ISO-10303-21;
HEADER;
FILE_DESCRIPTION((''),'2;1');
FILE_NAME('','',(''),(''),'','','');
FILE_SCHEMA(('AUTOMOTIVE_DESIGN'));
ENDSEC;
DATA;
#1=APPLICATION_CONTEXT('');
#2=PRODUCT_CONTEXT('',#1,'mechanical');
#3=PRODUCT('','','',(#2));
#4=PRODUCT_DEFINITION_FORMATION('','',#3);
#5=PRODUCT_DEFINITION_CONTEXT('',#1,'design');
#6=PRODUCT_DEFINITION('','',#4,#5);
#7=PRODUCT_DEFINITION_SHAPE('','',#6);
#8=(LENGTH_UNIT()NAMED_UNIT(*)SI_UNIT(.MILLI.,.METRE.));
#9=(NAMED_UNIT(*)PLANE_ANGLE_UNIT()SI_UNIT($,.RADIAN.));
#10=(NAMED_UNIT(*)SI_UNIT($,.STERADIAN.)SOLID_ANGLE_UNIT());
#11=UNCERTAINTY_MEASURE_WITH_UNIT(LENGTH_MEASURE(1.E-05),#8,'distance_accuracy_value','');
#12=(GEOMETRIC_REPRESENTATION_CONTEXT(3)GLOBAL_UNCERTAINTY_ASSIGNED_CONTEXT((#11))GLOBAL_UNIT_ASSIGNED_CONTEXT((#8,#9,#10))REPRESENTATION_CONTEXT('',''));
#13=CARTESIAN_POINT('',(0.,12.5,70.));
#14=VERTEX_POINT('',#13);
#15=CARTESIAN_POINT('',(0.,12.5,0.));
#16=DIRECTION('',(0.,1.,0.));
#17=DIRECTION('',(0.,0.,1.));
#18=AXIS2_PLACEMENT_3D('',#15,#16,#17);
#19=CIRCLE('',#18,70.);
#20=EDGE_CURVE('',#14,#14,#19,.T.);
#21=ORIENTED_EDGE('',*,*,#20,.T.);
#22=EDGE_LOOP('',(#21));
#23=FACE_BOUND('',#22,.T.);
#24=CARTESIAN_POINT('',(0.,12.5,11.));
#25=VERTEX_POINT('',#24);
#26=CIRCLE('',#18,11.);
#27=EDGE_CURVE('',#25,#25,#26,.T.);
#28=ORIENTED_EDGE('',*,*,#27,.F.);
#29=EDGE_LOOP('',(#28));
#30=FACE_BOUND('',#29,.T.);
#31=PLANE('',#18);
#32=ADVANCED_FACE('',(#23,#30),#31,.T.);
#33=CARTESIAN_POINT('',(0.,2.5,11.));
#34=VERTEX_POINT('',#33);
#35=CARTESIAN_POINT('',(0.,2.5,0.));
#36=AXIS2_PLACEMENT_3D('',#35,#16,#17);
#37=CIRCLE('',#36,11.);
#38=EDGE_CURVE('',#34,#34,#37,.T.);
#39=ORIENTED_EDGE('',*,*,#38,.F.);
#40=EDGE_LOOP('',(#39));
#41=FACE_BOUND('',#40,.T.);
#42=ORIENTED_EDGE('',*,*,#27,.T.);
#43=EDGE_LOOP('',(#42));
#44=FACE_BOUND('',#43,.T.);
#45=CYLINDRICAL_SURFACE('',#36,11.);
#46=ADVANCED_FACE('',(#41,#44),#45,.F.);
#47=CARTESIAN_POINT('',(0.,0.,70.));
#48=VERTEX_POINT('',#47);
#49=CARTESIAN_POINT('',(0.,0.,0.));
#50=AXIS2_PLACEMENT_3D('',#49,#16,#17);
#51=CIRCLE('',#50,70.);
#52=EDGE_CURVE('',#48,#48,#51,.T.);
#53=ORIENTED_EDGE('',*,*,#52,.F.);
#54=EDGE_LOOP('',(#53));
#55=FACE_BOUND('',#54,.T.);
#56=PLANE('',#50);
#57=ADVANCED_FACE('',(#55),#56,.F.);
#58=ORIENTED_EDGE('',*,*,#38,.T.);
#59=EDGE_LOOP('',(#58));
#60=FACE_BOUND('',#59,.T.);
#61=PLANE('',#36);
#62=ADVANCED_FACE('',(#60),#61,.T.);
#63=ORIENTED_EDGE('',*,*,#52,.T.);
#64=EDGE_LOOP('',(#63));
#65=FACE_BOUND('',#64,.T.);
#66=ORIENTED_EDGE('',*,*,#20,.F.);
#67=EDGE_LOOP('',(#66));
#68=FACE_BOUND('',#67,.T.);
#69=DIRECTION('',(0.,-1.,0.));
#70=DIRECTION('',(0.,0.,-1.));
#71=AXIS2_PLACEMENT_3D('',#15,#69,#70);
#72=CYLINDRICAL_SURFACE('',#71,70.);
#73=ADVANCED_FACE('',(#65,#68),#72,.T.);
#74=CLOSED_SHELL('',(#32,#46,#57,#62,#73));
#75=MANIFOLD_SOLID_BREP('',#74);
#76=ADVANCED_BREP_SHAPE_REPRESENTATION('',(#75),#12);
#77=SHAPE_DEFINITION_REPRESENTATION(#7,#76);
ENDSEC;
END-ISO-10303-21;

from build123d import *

# Parameters (mm, degrees)
SKETCH1_R           = 70
BOSS_EXTRUDE2_DEPTH = 12.5
SKETCH3_R           = 11
CUT_EXTRUDE1_DEPTH  = 10


with BuildPart() as part:
    # Sketch1 → Boss-Extrude2 (new body)
    with BuildSketch(Plane(origin=(0, 0, 0), x_dir=(1, 0, 0), z_dir=(0, 1, 0))):
        with Locations(Location((0, 0, 0), (0, 0, 270))):
            Circle(SKETCH1_R)
    extrude(amount=BOSS_EXTRUDE2_DEPTH)

    # Sketch3 → Cut-Extrude1 (cut)
    with BuildSketch(Plane(origin=(0, 12.5, 0), x_dir=(1, 0, 0), z_dir=(0, 1, 0))):
        with Locations(Location((0, 0, 0), (0, 0, 270))):
            Circle(SKETCH3_R)
    extrude(amount=-CUT_EXTRUDE1_DEPTH, mode=Mode.SUBTRACT)


solid = part.part
